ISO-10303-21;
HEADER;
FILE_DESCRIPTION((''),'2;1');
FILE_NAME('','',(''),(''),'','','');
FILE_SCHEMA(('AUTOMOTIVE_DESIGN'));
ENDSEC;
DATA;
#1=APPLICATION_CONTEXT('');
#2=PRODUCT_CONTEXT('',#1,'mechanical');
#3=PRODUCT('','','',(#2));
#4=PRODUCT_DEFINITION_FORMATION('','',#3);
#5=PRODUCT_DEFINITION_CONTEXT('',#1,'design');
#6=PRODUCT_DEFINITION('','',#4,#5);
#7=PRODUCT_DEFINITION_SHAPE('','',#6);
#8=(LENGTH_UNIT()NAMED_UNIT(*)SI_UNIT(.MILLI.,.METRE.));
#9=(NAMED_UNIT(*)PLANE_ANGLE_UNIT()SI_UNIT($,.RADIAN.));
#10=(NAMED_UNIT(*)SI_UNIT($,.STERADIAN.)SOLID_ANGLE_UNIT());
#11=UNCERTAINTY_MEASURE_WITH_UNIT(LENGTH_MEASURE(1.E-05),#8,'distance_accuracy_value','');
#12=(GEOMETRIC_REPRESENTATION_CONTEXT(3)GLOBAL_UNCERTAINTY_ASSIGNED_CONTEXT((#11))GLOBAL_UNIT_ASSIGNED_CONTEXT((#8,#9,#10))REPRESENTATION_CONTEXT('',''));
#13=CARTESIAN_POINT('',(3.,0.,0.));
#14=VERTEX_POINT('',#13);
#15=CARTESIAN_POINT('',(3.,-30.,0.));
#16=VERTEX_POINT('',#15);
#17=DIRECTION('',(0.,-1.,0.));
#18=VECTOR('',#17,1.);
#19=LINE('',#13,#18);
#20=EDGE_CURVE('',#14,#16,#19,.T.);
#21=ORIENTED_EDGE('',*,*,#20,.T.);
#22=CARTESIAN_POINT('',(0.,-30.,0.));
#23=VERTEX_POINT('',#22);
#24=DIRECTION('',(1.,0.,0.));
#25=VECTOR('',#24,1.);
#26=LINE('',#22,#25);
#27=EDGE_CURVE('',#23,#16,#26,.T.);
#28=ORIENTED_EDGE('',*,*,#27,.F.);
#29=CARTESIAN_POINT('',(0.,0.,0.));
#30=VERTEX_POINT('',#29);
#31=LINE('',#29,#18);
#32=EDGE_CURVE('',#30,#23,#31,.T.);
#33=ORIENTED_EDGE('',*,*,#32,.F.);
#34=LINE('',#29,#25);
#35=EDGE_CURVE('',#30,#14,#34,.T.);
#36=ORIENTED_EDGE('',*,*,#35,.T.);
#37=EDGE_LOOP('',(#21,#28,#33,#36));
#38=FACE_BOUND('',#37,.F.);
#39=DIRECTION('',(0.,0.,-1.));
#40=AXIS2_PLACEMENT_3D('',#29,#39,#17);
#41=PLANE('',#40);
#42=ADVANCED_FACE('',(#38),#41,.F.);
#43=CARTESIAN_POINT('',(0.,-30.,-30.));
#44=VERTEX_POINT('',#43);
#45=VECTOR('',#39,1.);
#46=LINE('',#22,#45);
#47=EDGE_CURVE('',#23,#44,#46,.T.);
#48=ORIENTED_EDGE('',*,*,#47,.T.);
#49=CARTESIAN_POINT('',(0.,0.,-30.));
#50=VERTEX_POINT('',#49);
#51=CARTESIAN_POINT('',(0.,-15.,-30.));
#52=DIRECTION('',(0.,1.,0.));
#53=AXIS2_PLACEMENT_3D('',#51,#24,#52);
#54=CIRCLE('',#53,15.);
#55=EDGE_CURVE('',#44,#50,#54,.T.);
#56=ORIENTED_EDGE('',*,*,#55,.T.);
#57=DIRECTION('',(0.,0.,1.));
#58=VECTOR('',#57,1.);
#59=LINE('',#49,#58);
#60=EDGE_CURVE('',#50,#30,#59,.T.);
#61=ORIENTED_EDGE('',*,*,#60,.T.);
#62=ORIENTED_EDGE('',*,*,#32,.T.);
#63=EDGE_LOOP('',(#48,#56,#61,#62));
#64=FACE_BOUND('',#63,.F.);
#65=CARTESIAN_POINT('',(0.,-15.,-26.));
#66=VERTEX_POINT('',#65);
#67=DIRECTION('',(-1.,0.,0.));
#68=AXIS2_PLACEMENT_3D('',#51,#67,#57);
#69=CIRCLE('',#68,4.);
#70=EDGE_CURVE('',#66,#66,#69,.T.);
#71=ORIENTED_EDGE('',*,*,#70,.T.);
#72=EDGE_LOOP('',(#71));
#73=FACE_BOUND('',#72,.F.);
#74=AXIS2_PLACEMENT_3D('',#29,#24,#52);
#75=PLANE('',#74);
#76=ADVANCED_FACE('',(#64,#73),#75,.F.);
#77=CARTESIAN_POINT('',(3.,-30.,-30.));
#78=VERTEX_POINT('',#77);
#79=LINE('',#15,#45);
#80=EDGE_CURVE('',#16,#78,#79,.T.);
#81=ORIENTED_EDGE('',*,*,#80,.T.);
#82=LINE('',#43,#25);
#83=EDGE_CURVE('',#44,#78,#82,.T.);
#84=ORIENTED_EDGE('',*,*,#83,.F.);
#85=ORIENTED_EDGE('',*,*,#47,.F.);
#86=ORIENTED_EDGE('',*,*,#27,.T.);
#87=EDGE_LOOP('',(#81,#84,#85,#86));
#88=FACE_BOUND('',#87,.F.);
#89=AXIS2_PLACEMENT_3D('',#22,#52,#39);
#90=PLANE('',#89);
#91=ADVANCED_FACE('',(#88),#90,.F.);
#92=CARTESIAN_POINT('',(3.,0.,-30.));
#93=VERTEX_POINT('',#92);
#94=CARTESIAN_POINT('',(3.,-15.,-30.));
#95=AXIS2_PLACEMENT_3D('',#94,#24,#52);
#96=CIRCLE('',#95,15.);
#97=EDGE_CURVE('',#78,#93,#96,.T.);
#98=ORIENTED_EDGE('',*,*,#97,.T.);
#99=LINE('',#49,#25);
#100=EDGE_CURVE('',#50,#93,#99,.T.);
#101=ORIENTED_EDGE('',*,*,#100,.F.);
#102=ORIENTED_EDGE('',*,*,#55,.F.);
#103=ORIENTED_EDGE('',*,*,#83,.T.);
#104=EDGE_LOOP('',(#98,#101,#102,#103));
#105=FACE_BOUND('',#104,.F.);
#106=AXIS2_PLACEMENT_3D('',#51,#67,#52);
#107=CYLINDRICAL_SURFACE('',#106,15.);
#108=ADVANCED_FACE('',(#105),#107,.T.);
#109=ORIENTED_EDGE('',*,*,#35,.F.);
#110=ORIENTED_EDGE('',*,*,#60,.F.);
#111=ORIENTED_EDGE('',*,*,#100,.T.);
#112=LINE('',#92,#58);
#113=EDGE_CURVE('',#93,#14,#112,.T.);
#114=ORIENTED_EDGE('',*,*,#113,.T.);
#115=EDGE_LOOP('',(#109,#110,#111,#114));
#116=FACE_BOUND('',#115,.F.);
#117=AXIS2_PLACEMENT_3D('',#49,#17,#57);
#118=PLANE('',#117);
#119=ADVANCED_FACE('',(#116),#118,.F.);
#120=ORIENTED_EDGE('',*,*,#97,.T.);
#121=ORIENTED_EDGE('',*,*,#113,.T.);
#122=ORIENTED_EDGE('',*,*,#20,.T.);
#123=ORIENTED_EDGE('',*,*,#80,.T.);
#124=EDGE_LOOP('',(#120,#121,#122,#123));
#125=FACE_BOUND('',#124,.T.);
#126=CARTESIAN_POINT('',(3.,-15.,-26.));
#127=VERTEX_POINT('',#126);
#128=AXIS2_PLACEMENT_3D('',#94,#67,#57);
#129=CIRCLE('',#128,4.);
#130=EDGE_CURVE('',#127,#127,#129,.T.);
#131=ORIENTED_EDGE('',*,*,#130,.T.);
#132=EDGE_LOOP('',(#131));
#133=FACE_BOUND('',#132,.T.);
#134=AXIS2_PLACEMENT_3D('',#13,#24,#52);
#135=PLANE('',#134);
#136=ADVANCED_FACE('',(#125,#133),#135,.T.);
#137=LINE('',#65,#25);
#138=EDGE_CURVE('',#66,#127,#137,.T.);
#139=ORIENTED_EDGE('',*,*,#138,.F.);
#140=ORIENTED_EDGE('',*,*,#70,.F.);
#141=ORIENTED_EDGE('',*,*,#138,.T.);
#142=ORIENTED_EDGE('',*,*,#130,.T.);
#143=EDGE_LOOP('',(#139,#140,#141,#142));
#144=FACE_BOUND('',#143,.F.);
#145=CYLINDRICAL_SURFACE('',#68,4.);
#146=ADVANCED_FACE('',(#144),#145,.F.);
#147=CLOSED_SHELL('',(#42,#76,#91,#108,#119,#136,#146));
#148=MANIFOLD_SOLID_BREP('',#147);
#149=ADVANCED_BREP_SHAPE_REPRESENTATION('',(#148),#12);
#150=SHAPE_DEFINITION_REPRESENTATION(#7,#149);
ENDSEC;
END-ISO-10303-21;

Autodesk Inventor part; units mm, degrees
ref_plane "YZ Plane" through (0, 0, 0) normal (1, 0, 0) x (0, 1, 0)
ref_plane "XZ Plane" through (0, 0, 0) normal (0, 1, 0) x (-1, 0, 0)
ref_plane "XY Plane" through (0, 0, 0) normal (0, 0, 1) x (1, 0, 0)
sketch "Boceto1" plane through (0, 0, 0) normal (1, 0, 0) x (0, 1, 0)
  line L0 (0, 0) -> (-30, 0)
  line L1 (-30, 0) -> (-30, -30)
  line L2 (-30, -30) -> (0, -30)
  line L3 (0, -30) -> (0, 0)
  circle A0 centre (-15, -30) radius 15
  dimension "d0" = 30
  dimension "d1" = 30
  dimension "d2" = 30
  dimension "d3" = 15
extrude "Extrusión1" add sketch "Boceto1" along normal blind 3
sketch "Boceto2" plane through (0, 0, 0) normal (-1, 0, 0) x (0, 0, 1)
  arc A0 (-30, 0) -> (-30, -30) centre (-30, -15) ccw projected
  circle A1 centre (-30, -15) radius 4
  point P0 (0, 0)
  dimension "d6" = 8
extrude "Extrusión2" cut sketch "Boceto2" against normal blind 5
properties part number "soporte vertical"
